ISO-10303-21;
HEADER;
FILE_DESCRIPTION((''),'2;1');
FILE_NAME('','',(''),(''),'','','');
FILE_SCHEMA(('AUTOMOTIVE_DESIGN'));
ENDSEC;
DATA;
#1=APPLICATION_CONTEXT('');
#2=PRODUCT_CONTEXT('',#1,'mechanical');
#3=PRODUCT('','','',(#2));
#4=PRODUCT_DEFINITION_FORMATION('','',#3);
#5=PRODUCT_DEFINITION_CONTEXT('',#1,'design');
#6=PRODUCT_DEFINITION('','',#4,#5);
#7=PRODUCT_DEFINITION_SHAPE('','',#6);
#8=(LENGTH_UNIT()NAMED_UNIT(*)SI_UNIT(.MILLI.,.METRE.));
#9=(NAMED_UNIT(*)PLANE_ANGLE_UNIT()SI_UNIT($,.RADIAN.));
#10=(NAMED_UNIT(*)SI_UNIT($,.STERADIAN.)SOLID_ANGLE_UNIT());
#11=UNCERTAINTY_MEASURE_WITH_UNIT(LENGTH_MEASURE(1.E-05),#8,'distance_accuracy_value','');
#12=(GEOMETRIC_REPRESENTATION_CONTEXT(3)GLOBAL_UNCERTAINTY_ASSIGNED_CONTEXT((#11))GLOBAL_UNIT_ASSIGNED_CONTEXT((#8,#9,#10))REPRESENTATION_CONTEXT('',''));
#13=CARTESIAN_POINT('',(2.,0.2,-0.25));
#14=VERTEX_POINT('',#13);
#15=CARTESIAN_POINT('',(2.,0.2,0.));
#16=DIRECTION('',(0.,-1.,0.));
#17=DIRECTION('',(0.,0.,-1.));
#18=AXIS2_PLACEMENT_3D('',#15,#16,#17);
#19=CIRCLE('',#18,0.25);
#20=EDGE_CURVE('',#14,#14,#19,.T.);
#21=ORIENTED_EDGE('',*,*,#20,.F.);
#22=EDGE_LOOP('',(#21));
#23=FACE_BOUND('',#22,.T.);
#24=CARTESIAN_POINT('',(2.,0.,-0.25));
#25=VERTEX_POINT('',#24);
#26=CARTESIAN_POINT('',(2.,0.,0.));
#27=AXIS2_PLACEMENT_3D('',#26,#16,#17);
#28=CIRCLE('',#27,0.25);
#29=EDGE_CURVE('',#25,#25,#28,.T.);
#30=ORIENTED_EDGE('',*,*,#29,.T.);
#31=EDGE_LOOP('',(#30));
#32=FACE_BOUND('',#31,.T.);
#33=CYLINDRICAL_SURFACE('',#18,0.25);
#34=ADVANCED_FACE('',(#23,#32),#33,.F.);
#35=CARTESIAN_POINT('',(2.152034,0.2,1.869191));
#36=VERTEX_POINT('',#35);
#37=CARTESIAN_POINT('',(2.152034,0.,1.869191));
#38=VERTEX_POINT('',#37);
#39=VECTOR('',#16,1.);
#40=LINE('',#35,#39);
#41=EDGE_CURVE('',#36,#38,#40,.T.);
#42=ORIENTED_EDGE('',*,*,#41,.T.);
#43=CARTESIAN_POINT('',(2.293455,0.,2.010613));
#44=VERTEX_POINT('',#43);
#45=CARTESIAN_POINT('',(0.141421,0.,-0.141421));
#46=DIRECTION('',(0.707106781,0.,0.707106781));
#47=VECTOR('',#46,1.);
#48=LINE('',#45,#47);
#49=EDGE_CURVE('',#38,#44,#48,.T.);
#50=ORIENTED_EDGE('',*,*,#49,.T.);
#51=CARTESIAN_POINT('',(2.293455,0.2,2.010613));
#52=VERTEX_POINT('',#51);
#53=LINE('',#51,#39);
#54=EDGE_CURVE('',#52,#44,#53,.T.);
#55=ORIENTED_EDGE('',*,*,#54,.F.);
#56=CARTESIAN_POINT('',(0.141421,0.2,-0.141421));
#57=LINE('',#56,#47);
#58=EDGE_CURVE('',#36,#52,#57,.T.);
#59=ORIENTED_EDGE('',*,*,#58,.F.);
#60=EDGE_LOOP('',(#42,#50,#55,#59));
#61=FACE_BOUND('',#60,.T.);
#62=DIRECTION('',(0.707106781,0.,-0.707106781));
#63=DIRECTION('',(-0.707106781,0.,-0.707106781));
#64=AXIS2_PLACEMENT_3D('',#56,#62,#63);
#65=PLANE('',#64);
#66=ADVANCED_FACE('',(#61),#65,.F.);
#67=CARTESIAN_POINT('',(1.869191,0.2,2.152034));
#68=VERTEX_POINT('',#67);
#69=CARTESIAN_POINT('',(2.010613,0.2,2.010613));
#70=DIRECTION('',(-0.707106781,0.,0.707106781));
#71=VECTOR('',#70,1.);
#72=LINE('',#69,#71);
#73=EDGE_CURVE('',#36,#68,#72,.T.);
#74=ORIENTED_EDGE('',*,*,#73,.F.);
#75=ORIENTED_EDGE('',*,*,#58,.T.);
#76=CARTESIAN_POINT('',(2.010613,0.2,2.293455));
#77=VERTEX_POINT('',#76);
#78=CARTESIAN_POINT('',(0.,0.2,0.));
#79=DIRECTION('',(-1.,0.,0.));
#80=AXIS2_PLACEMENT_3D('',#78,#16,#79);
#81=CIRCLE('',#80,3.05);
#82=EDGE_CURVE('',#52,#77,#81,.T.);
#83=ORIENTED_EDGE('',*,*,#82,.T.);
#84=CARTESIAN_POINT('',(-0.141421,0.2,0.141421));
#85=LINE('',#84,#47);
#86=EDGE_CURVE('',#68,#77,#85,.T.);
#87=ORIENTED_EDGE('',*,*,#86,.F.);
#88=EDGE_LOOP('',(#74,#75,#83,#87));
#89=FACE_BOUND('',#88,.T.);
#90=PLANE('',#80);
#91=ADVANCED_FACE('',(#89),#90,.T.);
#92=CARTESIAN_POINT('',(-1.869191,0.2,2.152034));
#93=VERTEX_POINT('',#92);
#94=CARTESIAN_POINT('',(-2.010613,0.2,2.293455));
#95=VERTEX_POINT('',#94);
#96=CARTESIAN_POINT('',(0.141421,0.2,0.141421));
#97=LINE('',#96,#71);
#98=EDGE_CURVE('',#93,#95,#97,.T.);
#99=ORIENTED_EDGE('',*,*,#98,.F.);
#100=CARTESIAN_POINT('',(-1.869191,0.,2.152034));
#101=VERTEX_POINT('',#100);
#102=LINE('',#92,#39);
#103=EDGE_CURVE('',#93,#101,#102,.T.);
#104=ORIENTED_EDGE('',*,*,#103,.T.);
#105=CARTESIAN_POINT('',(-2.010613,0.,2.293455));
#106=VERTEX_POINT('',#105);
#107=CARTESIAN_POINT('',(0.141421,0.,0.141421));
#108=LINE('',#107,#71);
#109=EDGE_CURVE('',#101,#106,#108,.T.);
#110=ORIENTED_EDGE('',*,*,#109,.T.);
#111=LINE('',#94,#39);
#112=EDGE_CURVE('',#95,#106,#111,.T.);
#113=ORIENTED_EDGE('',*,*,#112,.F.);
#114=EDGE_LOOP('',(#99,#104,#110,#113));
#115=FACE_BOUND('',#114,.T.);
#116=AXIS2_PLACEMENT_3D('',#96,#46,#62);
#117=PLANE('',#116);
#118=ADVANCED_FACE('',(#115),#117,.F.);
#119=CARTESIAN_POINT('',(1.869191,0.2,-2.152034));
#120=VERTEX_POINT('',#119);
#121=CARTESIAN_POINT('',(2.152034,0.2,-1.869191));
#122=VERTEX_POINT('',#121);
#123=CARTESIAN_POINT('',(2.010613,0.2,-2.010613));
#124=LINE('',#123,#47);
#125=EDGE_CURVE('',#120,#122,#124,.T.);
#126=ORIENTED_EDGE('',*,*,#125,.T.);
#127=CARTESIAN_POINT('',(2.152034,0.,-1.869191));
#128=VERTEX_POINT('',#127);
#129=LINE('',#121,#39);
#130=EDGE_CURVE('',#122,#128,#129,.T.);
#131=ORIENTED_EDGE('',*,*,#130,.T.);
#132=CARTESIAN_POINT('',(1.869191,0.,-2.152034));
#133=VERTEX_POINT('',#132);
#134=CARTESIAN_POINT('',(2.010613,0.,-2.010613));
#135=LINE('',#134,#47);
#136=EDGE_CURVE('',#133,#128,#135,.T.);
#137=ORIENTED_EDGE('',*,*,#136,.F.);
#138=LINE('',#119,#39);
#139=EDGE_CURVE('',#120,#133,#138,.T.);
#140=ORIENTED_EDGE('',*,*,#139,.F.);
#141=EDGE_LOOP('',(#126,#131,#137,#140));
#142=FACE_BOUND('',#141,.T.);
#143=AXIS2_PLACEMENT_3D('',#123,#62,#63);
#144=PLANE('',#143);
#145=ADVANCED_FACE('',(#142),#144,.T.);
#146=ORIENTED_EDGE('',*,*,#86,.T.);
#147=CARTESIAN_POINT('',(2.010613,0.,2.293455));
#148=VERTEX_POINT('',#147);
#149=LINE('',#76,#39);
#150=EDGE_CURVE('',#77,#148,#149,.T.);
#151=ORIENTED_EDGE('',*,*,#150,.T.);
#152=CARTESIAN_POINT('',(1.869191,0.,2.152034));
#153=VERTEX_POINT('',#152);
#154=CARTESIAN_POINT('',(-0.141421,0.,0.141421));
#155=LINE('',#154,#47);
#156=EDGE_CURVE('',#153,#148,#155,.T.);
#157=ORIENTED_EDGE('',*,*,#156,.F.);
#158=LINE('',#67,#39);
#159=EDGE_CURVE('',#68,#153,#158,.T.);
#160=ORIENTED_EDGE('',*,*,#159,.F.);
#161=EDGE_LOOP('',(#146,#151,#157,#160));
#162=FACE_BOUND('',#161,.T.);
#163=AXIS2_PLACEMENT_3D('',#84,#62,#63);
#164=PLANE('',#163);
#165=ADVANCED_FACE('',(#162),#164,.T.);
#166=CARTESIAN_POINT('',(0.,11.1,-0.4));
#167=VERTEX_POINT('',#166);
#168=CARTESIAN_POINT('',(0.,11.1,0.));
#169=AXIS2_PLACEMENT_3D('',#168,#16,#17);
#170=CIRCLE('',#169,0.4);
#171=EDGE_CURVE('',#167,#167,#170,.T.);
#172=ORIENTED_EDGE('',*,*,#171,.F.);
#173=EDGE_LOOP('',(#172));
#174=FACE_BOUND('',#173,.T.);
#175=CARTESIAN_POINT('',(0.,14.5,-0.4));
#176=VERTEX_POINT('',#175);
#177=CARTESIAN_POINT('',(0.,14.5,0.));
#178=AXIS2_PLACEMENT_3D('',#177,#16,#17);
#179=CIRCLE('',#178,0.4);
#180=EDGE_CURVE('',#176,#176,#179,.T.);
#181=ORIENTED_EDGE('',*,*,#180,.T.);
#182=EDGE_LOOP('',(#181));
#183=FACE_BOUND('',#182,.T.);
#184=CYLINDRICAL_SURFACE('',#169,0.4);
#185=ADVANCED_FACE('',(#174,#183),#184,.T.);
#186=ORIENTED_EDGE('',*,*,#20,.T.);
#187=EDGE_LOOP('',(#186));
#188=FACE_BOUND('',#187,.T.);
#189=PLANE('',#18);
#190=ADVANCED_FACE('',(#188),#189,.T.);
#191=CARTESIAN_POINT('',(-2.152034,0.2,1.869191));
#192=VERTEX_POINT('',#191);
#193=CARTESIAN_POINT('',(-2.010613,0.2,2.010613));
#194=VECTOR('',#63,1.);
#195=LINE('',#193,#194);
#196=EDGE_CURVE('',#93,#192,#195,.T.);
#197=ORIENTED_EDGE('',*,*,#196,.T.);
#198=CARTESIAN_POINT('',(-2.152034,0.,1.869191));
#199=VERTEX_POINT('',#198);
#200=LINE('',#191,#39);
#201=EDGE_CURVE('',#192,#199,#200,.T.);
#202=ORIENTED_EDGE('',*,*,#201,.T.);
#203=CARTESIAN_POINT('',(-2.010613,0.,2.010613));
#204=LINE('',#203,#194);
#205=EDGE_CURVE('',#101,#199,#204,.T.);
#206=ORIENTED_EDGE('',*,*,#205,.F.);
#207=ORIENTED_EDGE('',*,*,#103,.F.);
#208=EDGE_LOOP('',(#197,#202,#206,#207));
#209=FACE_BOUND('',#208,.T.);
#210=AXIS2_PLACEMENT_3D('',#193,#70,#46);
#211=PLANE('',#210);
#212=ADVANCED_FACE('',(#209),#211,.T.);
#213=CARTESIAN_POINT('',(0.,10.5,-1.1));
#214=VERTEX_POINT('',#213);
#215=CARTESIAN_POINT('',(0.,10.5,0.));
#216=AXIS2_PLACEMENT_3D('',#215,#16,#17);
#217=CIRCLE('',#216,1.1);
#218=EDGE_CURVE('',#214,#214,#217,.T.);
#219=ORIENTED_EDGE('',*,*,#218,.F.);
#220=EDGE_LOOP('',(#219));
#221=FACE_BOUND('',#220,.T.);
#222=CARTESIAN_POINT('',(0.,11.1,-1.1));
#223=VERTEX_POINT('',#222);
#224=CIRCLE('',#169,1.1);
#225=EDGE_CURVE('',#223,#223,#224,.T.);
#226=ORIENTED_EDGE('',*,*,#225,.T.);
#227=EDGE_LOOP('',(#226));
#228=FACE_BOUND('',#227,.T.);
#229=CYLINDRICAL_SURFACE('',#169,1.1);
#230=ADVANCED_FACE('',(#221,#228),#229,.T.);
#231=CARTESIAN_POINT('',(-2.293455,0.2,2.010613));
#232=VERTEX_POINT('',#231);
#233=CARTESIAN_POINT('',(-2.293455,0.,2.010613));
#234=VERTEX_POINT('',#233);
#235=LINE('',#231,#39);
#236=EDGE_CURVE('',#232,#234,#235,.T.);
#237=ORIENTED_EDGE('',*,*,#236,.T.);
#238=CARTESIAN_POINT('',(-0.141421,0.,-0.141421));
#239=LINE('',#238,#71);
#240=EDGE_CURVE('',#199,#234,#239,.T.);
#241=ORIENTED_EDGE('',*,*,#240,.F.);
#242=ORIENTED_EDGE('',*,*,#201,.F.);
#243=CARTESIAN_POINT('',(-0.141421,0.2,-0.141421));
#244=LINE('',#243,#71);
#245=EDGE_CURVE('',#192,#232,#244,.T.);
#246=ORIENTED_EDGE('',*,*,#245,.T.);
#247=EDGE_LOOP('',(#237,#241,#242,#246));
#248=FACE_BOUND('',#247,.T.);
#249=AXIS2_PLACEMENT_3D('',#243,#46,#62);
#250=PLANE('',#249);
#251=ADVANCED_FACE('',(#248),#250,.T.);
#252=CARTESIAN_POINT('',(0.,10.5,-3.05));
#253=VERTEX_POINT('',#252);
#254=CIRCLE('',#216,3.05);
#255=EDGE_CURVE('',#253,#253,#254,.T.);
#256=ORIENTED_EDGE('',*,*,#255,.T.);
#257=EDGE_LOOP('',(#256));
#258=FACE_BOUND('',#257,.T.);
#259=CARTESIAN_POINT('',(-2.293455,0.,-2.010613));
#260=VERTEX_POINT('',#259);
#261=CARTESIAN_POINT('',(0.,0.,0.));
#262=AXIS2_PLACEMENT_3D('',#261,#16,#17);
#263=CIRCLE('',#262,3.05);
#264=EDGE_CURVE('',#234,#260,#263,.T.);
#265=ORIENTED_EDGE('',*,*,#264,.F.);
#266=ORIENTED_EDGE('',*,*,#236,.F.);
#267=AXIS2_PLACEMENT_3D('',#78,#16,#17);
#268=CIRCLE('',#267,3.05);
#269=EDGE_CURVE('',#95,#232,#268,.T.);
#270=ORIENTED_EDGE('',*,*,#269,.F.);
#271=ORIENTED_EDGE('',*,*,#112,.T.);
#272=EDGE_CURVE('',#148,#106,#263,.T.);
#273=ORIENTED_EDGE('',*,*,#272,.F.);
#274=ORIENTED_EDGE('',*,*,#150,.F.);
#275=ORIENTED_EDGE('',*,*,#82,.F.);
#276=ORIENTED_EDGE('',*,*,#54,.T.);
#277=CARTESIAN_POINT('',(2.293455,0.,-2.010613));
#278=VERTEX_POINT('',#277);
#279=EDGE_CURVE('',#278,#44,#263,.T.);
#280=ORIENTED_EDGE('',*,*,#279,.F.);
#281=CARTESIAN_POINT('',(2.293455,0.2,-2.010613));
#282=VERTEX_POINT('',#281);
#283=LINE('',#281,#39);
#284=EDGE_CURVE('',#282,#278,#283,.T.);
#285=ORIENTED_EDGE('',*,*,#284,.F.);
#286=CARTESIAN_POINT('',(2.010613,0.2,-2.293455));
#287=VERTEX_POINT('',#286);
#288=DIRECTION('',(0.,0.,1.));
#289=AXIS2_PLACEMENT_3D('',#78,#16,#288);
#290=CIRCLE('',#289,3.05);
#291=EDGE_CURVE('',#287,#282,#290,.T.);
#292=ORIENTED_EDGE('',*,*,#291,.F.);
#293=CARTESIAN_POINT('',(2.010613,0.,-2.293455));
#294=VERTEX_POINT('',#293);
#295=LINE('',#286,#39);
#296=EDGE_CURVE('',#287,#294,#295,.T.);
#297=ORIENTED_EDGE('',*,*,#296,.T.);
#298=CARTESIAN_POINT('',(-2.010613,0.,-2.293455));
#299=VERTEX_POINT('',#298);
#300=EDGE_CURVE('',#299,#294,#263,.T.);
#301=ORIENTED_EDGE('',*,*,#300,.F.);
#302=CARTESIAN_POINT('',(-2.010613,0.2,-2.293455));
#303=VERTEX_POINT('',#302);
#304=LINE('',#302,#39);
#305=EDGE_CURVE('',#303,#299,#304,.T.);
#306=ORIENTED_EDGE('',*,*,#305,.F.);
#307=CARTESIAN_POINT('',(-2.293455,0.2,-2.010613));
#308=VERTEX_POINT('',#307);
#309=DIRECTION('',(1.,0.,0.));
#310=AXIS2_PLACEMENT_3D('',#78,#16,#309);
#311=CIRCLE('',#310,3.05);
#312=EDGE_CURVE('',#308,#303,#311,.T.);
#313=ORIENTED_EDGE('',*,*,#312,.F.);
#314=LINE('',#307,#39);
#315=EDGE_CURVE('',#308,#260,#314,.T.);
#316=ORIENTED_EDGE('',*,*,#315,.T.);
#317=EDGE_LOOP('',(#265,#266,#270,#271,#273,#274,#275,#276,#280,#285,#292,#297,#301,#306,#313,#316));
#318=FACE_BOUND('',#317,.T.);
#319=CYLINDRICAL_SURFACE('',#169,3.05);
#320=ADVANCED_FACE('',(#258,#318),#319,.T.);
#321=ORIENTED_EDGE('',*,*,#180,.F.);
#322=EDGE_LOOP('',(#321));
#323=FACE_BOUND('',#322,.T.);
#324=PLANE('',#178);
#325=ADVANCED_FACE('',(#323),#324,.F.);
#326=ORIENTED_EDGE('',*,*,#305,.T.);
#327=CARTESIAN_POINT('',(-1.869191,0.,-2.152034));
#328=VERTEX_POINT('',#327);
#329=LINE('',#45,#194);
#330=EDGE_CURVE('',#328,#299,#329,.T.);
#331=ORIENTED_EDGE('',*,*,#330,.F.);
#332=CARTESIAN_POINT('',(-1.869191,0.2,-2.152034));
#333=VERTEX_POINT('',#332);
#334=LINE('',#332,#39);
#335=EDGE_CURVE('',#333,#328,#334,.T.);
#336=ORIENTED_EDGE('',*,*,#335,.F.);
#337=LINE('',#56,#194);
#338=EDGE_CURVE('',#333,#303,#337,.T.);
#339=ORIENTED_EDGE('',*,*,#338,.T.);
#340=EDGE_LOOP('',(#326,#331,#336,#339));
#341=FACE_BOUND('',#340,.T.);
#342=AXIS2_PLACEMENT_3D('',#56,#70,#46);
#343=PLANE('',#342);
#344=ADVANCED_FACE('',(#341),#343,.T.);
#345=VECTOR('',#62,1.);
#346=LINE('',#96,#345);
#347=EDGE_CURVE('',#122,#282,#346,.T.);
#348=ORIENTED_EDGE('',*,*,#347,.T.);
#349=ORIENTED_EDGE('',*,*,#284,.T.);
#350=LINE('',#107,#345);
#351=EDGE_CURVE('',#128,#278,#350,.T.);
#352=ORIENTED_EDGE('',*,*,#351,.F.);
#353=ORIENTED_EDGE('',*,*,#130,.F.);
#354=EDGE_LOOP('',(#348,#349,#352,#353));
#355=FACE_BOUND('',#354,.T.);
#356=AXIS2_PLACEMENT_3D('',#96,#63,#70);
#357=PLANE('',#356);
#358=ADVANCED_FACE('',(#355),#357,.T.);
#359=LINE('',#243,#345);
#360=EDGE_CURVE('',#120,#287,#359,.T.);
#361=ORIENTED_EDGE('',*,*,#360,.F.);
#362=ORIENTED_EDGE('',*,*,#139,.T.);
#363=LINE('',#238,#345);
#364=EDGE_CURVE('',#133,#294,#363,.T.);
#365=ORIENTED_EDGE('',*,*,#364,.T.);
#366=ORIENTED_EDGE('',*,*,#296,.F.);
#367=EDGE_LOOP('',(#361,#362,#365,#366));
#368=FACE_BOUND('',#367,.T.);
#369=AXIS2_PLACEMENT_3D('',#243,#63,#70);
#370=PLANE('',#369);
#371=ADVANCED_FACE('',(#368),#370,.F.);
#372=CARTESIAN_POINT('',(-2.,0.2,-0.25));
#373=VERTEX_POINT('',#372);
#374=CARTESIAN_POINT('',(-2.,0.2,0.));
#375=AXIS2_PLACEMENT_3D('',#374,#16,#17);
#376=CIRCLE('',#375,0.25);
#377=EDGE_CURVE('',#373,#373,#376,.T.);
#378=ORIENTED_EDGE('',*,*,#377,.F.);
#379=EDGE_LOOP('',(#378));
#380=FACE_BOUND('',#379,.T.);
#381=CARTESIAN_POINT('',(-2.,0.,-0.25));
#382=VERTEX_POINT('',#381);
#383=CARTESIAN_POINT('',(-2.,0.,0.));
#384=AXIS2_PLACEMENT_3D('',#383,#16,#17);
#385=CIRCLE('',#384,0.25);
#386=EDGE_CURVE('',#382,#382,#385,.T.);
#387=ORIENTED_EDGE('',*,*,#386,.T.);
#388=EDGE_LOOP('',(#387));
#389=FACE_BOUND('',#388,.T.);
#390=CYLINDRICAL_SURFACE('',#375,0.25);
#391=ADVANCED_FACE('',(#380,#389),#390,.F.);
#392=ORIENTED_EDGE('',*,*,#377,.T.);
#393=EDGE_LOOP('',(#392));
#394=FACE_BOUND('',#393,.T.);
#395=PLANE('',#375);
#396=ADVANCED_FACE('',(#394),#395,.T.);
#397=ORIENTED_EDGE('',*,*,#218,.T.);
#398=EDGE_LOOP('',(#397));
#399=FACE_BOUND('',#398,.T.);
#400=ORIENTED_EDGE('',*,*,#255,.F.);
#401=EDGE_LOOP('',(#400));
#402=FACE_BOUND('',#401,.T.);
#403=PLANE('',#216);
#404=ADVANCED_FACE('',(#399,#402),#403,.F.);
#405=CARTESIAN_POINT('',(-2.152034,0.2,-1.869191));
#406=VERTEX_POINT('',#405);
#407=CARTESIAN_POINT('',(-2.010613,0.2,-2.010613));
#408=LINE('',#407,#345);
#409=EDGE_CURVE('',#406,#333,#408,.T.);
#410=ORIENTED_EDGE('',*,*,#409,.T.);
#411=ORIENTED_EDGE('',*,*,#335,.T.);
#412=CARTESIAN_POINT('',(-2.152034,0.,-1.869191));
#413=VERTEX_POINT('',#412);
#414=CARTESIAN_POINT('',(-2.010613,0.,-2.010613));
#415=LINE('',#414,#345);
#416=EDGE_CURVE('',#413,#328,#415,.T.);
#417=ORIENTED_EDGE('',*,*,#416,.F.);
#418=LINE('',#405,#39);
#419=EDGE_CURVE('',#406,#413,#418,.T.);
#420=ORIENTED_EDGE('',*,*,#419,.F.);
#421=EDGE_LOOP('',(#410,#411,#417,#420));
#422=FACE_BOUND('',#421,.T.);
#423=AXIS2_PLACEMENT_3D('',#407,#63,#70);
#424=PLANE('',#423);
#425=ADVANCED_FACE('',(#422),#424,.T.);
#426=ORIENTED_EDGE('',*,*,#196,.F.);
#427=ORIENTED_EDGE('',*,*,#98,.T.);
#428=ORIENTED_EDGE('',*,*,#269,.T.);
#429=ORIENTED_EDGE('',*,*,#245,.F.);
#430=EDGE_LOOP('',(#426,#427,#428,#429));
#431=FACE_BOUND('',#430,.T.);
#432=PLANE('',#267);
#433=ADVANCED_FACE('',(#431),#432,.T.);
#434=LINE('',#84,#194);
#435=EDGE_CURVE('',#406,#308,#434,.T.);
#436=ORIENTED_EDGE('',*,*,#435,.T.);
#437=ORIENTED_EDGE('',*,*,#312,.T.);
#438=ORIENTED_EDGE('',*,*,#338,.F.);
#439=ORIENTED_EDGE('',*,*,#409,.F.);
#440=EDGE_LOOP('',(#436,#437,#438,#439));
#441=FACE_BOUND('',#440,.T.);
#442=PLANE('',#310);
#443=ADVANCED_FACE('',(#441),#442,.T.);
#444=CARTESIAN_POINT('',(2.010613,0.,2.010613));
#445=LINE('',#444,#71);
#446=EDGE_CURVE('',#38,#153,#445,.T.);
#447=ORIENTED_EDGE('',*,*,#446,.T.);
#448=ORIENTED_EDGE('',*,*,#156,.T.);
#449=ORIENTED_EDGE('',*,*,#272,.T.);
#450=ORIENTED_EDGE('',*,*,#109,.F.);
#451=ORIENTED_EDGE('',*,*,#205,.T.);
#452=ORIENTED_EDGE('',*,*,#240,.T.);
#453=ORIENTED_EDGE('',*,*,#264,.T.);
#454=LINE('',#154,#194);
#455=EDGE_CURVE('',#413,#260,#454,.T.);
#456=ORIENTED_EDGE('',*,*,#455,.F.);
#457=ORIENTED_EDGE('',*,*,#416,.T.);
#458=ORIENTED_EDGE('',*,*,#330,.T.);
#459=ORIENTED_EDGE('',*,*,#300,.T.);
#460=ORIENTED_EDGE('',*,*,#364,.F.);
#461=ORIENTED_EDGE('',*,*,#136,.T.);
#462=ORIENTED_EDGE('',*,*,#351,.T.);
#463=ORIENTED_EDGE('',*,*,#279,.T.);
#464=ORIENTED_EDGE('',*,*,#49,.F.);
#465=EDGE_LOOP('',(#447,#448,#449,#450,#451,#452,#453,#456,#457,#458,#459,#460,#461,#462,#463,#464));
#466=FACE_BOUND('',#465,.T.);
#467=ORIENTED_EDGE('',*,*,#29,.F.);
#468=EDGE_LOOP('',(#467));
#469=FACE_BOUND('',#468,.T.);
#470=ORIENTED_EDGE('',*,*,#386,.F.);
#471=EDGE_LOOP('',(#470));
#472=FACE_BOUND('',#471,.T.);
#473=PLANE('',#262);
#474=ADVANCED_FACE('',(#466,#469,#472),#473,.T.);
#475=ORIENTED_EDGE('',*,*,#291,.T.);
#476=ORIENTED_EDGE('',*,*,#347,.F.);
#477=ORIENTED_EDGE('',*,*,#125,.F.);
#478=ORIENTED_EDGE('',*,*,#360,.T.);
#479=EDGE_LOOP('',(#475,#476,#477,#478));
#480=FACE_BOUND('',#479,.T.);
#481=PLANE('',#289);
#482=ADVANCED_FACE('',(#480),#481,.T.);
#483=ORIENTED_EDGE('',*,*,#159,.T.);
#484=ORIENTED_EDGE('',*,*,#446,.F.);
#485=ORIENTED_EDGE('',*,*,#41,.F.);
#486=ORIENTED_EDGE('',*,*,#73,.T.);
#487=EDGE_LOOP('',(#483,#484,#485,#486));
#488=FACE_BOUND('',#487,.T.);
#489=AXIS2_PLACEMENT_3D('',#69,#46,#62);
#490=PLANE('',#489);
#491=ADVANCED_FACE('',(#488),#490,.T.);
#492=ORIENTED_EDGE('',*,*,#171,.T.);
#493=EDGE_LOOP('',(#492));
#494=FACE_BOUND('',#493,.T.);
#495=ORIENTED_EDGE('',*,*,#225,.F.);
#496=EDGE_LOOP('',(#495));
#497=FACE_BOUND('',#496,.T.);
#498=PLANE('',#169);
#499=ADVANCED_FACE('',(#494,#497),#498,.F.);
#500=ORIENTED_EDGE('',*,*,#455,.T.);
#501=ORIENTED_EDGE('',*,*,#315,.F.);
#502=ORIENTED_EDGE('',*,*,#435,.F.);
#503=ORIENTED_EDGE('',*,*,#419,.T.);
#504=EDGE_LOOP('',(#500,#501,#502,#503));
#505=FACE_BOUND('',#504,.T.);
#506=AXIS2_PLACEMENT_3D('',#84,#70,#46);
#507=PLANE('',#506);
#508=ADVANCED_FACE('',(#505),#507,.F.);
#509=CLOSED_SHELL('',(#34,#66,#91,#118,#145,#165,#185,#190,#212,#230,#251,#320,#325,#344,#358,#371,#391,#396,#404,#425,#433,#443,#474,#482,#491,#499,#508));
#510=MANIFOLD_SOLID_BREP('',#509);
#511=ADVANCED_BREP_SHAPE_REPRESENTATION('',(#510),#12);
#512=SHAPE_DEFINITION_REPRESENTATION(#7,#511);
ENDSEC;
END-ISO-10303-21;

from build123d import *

# Parameters (mm, degrees)
CUT_EXTRUDE_START        = -0.2
CUT_EXTRUDE_1_DEPTH      = 0.2
PATTERN_CIRCULAR_1_COUNT = 4
SKETCH_2_3_R             = 0.25
CUT_EXTRUDE_2_DEPTH      = 0.2


with BuildPart() as part:
    # 草图1 → 旋转1 (revolve)
    with BuildSketch(Plane(origin=(0, 0, 0), x_dir=(0, 0, -1), z_dir=(1, 0, 0))):
        Polygon((0, 0), (3.05, 0), (3.05, 10.5), (1.1, 10.5), (1.1, 11.1), (0.4, 11.1), (0.4, 14.5), (0, 14.5), align=None)
    revolve(axis=Axis((0, 11.1, 0), (0, 1, 0)))

    # 草图2 → 切除-拉伸1 (cut)
    with BuildSketch(Plane.XZ.offset(CUT_EXTRUDE_START)):
        with BuildLine():
            Line((-2.152033922, 1.869191209), (-2.010612565, 2.010612565))
            Line((-2.010612565, 2.010612565), (-1.869191209, 2.152033922))
            Line((-1.869191209, 2.152033922), (-2.010612565, 2.293455278))
            ThreePointArc((-2.010612565, 2.293455278), (-2.156675683, 2.156675683), (-2.293455278, 2.010612565))
            Line((-2.293455278, 2.010612565), (-2.152033922, 1.869191209))
        make_face()
    cut_extrude_1 = extrude(amount=CUT_EXTRUDE_1_DEPTH, mode=Mode.SUBTRACT)

    # 阵列(圆周)1: 切除-拉伸1 ×4 about axis
    pattern_circular_1_axis = Axis((0, 11.1, 0), (0, -1, 0))
    for i in range(1, PATTERN_CIRCULAR_1_COUNT):
        add(cut_extrude_1.rotate(pattern_circular_1_axis, i * 360 / PATTERN_CIRCULAR_1_COUNT), mode=Mode.SUBTRACT)

    # 草图2<3> → 切除-拉伸2 (cut)
    with BuildSketch(Plane.XZ):
        with Locations((-2, 0)):
            Circle(SKETCH_2_3_R)
        with Locations((2, 0)):
            Circle(SKETCH_2_3_R)
    extrude(amount=-CUT_EXTRUDE_2_DEPTH, mode=Mode.SUBTRACT)


solid = part.part
